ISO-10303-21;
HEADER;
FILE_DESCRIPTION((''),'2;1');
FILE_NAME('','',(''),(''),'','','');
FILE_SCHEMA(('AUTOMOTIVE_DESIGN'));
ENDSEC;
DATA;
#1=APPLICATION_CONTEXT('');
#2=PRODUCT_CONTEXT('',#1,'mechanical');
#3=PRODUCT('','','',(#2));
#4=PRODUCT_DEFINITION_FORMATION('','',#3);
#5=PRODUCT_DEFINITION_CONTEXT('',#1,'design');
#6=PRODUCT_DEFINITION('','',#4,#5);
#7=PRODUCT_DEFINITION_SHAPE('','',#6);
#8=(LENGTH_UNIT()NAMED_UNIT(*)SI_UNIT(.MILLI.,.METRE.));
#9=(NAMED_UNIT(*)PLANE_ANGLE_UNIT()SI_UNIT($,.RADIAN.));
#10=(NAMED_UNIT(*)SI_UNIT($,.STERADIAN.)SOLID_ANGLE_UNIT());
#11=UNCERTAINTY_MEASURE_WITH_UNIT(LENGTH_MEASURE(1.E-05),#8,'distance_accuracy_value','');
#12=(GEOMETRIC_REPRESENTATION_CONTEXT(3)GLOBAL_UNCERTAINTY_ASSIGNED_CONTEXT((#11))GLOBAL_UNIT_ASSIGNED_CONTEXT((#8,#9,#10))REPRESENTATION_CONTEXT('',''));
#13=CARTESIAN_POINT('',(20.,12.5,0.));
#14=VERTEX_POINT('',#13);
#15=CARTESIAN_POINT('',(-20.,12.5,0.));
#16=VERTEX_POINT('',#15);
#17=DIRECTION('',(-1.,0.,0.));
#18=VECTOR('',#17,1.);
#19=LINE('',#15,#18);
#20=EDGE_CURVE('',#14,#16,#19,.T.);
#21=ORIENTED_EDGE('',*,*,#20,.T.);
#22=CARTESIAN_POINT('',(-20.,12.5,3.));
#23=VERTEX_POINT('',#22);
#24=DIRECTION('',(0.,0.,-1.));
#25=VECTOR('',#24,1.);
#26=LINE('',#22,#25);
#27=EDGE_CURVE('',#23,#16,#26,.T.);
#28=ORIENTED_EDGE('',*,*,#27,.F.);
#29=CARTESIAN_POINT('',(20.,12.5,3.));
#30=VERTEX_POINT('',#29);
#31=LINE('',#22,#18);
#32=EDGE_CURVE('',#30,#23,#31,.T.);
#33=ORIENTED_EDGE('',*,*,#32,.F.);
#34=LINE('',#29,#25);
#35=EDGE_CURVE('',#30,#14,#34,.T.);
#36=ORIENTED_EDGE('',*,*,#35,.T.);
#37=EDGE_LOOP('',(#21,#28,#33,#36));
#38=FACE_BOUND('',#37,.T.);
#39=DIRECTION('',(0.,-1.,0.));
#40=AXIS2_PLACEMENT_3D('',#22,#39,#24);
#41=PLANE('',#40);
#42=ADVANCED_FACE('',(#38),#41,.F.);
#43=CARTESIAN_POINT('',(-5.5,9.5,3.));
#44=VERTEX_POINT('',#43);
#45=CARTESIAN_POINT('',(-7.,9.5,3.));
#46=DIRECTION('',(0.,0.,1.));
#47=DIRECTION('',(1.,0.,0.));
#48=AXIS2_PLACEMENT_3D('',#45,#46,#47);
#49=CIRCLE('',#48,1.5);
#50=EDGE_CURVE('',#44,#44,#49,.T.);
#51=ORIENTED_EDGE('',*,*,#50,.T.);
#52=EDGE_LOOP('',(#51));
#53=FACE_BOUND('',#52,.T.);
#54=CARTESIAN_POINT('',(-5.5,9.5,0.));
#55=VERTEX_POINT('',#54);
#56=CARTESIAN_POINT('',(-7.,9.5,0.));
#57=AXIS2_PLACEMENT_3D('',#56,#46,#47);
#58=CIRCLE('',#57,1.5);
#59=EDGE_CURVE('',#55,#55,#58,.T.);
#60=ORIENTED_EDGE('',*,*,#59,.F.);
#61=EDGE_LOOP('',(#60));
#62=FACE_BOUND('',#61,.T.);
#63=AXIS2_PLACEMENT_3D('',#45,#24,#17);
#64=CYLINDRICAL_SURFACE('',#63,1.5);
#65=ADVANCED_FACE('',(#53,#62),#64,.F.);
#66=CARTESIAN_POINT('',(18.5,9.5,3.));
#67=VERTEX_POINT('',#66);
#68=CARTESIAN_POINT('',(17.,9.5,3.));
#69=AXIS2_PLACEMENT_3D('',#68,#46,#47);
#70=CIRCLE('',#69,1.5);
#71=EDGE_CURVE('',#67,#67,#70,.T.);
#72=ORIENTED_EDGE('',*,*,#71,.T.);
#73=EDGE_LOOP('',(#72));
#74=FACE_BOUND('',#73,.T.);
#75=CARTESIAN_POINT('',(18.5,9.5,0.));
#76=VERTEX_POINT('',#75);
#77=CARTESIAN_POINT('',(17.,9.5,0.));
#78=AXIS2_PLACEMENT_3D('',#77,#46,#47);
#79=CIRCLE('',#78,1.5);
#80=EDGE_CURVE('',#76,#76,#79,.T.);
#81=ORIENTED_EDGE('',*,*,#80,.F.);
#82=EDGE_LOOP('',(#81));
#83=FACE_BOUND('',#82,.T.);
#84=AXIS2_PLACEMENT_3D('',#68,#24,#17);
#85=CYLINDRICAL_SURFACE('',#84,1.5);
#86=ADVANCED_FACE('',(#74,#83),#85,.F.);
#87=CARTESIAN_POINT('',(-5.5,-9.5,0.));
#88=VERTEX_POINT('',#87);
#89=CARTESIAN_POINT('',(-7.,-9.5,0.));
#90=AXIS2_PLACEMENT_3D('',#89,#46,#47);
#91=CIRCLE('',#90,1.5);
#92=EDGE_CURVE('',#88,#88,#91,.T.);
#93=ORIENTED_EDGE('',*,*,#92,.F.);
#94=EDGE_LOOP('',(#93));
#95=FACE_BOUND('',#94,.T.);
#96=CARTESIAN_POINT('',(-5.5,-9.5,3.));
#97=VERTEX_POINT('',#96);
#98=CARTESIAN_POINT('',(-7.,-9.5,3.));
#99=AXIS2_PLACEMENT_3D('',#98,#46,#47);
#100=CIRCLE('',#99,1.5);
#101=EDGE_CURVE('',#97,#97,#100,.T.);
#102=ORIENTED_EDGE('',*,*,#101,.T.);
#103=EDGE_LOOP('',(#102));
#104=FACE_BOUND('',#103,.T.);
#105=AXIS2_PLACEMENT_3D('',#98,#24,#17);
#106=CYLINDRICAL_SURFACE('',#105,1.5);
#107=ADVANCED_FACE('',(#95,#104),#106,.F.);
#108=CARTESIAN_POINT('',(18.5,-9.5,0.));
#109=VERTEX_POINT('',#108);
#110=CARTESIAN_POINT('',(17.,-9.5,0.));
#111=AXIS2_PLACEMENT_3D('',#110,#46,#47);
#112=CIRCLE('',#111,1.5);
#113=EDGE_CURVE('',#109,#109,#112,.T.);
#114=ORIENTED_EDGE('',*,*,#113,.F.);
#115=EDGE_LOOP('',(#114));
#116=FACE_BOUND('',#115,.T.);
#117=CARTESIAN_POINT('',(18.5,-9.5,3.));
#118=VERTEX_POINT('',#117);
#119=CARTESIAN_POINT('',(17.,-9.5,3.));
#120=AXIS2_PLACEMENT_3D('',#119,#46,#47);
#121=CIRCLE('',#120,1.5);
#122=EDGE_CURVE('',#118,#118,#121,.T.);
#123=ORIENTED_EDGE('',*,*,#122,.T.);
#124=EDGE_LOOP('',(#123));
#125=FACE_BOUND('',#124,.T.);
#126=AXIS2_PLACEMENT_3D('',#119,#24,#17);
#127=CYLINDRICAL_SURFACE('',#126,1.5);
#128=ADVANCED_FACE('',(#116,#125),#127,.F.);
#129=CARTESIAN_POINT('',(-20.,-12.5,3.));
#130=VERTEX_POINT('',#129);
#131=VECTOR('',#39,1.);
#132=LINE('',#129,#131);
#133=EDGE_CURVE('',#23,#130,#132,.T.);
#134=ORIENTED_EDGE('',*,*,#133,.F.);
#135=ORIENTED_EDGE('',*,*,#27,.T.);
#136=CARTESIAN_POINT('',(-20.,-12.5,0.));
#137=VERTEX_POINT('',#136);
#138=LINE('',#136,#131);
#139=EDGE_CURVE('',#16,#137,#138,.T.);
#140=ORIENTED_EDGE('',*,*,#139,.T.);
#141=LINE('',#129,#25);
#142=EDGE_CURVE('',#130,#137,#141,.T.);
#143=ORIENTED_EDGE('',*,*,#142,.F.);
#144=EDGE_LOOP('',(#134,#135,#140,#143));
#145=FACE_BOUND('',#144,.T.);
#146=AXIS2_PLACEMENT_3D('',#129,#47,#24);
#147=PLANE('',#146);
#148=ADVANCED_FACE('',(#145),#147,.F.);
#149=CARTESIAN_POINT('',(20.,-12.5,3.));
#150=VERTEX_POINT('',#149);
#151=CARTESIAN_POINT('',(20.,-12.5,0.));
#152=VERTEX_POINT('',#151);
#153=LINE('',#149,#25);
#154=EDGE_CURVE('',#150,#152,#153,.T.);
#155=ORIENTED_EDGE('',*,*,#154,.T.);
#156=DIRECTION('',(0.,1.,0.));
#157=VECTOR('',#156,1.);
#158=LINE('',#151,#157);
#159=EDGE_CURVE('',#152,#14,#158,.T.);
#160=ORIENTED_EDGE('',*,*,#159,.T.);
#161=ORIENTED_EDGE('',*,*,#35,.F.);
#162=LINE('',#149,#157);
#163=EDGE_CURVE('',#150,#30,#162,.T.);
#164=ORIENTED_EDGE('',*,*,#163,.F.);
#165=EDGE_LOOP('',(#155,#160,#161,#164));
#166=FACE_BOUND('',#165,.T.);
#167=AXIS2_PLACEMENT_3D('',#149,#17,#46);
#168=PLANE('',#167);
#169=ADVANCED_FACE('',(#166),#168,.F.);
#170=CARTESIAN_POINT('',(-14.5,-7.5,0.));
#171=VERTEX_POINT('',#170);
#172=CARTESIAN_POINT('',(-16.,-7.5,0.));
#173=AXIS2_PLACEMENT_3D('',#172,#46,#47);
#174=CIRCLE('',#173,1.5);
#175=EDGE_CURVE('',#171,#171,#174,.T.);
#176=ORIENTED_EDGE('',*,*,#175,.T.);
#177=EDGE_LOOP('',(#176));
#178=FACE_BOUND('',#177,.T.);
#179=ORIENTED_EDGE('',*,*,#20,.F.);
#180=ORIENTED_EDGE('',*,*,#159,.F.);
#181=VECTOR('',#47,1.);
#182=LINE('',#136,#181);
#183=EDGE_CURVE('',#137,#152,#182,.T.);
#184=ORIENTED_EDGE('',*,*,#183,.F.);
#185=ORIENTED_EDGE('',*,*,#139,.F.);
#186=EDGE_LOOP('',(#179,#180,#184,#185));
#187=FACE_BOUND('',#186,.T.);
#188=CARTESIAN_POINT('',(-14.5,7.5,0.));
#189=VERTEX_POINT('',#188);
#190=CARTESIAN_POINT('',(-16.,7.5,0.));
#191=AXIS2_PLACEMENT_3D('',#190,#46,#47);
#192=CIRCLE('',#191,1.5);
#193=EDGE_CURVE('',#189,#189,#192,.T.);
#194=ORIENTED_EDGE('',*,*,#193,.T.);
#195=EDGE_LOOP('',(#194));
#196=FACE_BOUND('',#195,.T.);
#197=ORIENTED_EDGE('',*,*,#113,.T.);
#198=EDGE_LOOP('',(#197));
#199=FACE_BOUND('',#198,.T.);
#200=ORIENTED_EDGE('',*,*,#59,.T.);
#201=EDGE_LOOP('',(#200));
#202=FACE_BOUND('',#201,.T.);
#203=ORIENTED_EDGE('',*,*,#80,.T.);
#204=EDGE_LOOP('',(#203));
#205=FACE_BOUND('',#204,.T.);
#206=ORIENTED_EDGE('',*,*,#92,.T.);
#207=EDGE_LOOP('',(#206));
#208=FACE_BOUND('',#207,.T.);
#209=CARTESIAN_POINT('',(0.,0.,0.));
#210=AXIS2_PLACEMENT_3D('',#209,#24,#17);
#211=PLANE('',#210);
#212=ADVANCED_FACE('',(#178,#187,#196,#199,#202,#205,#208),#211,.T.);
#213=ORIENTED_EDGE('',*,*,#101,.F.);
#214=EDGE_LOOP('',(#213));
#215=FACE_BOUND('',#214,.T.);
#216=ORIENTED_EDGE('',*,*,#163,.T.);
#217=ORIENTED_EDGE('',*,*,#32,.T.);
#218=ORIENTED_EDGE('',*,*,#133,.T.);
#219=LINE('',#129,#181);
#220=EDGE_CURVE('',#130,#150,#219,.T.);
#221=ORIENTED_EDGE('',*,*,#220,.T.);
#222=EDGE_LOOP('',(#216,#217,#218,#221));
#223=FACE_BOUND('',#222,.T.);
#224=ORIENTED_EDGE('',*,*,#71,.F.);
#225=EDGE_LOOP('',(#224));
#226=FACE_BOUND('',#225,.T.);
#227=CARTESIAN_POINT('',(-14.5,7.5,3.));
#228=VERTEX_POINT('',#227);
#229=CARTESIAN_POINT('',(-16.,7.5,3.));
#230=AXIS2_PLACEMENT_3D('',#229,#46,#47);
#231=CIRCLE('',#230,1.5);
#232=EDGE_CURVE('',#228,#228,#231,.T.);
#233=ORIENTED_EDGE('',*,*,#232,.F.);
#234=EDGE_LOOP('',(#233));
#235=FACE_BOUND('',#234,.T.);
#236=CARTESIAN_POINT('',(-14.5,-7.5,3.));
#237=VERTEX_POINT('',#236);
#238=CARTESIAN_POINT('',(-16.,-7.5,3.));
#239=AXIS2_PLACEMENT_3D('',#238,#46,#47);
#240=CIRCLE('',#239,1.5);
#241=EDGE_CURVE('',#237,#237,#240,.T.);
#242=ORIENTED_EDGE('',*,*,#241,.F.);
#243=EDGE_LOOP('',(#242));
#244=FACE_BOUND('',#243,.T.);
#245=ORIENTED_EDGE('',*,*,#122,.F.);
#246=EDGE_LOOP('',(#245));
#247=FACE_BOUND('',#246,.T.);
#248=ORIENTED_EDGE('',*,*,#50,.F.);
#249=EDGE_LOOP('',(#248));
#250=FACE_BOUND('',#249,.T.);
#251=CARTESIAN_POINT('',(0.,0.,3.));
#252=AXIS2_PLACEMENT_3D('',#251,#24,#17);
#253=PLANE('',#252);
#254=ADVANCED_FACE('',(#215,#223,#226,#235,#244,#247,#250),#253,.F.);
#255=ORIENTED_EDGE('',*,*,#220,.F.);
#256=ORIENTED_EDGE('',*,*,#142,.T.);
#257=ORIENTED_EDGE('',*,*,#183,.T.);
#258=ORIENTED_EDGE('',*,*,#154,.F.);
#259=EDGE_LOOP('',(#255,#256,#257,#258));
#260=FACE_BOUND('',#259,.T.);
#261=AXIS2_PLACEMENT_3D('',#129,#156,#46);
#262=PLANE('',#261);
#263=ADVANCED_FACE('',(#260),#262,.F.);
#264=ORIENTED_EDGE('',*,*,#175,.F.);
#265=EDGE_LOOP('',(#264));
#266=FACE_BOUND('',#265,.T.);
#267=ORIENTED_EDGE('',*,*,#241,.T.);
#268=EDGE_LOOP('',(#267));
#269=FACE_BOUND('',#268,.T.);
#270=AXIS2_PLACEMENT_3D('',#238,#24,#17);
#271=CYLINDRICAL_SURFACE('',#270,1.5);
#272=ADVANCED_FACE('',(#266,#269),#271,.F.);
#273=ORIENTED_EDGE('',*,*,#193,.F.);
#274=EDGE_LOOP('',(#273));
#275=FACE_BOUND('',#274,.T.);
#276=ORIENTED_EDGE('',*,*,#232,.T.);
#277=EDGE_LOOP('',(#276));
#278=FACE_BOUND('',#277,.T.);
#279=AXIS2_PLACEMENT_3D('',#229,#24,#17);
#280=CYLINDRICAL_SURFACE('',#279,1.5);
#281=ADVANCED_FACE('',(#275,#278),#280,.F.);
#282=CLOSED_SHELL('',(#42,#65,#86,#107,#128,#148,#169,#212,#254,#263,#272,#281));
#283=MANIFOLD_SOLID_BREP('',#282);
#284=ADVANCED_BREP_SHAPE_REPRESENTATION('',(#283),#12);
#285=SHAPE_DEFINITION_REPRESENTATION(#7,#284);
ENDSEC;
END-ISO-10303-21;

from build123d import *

# Parameters (mm, degrees)
SKETCH_1_W      = 40
SKETCH_1_H      = 25
SKETCH_1_R      = 1.5
EXTRUDE_1_DEPTH = 3


with BuildPart() as part:
    # 草图1 → 凸台-拉伸1 (new body)
    with BuildSketch(Plane.XY):
        Rectangle(SKETCH_1_W, SKETCH_1_H)
        with Locations((-7, 9.5)):
            Circle(SKETCH_1_R, mode=Mode.SUBTRACT)
        with Locations((17, 9.5)):
            Circle(SKETCH_1_R, mode=Mode.SUBTRACT)
        with Locations((-7, -9.5)):
            Circle(SKETCH_1_R, mode=Mode.SUBTRACT)
        with Locations((17, -9.5)):
            Circle(SKETCH_1_R, mode=Mode.SUBTRACT)
        with Locations((-16, 7.5)):
            Circle(SKETCH_1_R, mode=Mode.SUBTRACT)
        with Locations((-16, -7.5)):
            Circle(SKETCH_1_R, mode=Mode.SUBTRACT)
    extrude(amount=EXTRUDE_1_DEPTH)


solid = part.part
